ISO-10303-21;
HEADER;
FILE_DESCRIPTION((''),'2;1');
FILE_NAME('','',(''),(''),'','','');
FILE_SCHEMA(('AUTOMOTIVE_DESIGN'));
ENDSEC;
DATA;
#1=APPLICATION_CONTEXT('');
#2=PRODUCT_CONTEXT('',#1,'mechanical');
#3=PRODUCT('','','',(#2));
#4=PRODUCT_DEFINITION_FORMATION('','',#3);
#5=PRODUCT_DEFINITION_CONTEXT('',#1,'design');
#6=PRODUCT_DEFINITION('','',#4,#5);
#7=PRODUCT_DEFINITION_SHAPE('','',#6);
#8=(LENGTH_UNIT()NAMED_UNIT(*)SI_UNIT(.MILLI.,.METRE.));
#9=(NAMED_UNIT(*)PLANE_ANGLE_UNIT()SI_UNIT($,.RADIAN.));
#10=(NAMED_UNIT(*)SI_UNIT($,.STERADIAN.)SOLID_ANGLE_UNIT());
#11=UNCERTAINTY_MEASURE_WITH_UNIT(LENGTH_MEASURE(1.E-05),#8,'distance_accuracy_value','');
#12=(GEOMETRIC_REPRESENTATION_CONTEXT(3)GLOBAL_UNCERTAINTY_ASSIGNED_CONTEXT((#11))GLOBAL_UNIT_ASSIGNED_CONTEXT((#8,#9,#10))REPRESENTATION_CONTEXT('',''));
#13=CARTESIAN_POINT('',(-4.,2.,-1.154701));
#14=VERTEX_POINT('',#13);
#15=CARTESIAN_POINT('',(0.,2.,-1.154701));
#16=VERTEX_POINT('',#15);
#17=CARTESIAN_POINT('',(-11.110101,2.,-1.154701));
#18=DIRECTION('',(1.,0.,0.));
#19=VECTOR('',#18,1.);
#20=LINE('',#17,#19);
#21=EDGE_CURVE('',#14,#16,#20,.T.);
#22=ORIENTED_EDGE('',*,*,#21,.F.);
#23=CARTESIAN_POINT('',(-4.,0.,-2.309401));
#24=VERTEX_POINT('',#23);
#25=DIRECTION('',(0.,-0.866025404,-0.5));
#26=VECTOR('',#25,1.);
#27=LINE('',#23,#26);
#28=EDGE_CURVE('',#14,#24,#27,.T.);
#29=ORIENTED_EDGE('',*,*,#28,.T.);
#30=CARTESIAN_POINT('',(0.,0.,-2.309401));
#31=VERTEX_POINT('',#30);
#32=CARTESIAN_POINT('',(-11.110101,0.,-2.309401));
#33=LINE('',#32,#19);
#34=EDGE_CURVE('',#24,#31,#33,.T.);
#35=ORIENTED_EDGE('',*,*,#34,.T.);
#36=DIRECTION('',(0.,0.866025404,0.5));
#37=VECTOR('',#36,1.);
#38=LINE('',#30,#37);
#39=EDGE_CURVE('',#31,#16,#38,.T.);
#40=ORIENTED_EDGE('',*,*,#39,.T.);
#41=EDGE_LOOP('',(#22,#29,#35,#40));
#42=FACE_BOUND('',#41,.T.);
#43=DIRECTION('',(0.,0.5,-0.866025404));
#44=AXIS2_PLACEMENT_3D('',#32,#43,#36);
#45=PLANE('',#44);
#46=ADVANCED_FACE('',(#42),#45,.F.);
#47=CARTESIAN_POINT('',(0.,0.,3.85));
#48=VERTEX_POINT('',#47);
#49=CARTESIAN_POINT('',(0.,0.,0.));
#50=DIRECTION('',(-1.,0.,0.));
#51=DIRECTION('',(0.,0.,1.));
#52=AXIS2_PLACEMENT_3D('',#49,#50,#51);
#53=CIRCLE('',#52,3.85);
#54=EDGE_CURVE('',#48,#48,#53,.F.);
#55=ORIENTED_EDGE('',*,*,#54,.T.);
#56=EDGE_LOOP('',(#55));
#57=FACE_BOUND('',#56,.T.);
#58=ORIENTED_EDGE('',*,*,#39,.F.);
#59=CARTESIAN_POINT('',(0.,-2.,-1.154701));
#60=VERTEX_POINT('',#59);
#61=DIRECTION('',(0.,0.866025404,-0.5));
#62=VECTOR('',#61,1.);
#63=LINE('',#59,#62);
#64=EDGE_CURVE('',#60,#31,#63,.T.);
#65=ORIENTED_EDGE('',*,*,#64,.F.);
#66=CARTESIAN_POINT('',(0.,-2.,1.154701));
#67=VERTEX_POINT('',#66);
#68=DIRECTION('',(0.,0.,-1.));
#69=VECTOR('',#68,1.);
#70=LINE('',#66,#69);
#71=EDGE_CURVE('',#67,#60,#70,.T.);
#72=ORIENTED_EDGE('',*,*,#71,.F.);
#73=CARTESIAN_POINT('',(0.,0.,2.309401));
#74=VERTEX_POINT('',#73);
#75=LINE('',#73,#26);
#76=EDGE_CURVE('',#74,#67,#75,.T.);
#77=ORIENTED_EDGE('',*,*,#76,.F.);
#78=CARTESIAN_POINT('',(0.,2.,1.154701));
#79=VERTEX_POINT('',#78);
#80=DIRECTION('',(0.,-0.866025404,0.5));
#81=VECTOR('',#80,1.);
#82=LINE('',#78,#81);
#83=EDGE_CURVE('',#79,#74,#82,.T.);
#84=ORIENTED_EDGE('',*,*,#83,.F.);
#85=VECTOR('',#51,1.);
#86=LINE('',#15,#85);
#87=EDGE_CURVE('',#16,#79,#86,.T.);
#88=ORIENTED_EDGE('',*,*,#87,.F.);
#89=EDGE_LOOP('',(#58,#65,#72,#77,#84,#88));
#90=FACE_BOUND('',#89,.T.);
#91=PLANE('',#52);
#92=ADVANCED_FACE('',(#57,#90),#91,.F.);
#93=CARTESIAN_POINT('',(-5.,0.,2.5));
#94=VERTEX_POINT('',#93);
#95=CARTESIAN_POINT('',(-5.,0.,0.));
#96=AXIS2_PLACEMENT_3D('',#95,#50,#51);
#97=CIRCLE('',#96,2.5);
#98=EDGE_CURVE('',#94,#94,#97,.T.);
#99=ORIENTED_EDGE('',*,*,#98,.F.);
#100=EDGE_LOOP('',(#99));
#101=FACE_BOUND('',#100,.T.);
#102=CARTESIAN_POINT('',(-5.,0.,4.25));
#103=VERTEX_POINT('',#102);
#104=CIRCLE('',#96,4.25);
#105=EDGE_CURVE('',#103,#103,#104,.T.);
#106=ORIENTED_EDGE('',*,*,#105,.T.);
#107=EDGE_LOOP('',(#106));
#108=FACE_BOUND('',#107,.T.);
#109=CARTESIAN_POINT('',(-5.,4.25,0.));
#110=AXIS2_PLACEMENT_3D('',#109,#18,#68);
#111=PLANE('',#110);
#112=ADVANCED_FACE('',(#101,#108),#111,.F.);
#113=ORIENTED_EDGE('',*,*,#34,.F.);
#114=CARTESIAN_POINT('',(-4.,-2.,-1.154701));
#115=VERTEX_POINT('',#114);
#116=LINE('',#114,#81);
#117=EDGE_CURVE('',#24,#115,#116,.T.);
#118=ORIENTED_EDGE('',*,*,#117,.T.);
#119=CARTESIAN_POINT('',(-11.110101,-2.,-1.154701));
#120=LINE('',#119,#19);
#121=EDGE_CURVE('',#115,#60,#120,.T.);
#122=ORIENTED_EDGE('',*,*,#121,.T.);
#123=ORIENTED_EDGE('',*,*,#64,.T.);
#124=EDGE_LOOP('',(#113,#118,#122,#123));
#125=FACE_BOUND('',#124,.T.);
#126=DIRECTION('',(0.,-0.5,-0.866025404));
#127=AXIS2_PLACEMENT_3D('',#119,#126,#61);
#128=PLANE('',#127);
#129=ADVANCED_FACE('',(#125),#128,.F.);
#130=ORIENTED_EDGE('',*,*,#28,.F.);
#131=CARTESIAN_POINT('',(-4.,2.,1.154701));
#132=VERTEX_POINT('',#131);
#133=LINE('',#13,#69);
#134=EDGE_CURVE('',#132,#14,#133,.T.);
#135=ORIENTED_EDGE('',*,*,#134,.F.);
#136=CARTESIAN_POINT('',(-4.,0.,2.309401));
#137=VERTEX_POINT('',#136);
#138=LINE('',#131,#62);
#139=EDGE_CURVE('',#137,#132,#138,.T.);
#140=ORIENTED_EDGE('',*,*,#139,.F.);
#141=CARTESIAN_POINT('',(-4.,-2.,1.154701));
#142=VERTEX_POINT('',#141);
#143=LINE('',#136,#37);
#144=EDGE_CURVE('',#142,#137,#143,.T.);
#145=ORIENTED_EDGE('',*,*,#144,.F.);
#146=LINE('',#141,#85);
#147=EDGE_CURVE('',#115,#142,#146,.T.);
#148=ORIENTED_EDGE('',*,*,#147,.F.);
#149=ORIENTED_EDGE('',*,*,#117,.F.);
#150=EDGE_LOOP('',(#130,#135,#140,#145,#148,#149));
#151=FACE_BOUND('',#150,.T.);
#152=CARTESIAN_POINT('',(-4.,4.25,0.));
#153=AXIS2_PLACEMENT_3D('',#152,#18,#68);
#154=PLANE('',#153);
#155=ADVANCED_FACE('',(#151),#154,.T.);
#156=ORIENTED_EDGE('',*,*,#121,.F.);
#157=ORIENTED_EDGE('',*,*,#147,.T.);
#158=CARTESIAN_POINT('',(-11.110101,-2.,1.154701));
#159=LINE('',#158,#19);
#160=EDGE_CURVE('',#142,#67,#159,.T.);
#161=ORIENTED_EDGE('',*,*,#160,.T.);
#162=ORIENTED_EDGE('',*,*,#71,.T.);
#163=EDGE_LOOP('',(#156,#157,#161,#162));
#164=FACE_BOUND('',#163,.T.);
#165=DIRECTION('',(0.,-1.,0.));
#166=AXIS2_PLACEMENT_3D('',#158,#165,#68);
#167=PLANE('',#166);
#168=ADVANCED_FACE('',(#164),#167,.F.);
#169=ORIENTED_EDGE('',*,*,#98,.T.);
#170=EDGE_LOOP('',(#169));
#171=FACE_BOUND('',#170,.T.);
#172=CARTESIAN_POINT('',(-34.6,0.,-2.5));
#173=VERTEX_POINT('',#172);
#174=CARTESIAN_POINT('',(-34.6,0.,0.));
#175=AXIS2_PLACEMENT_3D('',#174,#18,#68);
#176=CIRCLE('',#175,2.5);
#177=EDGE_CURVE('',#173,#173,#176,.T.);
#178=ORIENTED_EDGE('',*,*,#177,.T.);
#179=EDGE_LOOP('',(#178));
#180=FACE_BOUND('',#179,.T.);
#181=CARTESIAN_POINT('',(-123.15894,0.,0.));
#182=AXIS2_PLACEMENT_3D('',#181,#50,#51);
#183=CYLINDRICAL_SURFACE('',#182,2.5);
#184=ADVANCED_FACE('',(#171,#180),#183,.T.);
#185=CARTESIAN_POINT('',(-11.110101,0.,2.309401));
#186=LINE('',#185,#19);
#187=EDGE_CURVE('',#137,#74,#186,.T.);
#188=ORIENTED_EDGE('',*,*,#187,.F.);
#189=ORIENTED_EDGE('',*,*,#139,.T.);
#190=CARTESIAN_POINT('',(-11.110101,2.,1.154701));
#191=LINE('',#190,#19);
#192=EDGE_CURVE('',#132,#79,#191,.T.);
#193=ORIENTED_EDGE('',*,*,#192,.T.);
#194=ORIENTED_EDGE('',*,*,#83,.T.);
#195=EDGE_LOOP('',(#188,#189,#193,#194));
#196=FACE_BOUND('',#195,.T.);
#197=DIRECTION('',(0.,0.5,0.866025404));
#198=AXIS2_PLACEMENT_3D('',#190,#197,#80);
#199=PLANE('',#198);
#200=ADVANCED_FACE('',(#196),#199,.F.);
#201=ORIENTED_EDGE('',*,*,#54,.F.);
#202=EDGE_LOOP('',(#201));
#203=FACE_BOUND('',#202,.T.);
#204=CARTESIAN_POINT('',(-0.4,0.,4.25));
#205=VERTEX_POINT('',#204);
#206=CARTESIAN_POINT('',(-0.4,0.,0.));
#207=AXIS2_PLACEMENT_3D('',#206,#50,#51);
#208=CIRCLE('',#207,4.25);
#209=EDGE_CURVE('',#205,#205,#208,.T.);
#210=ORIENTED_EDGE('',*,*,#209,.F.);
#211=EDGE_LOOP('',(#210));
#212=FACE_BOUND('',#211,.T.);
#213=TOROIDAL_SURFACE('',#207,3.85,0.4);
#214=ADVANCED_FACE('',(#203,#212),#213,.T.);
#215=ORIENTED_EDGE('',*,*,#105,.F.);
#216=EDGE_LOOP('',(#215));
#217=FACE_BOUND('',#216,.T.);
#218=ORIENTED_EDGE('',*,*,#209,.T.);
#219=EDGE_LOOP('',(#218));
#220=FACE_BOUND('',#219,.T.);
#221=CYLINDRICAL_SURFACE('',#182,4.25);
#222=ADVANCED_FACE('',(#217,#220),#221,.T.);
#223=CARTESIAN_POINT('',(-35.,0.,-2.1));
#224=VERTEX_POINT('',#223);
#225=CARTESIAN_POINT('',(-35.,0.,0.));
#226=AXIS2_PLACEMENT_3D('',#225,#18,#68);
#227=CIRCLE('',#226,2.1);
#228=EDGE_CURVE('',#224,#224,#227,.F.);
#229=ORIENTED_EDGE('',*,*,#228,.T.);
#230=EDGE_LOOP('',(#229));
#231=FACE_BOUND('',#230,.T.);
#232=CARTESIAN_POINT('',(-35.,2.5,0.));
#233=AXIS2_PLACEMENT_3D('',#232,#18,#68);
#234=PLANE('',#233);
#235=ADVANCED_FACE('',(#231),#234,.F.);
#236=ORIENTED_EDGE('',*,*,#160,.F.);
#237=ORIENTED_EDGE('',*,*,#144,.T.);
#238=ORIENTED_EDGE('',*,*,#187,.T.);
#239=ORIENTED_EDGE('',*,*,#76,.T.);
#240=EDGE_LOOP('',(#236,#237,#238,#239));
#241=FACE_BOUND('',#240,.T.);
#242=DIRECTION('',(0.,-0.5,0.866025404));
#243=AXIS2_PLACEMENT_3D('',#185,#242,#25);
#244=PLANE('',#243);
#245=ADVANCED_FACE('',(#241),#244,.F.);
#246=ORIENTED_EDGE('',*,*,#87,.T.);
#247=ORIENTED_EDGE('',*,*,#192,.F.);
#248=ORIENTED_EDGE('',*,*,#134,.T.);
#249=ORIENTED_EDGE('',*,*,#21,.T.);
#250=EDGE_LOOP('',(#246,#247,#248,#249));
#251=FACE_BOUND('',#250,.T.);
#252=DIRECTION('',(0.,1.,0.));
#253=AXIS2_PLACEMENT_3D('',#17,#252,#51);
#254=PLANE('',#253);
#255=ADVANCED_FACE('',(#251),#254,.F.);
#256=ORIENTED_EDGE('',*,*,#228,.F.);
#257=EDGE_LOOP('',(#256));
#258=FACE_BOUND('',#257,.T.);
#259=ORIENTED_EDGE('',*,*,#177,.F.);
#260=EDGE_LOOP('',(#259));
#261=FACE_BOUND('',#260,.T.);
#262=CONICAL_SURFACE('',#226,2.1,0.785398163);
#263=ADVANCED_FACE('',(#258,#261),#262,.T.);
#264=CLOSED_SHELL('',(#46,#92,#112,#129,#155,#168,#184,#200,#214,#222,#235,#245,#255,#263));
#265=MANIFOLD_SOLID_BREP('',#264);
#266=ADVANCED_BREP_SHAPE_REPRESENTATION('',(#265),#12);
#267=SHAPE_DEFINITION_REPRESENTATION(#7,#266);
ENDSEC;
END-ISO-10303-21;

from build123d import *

# Parameters (mm, degrees)
SFAZOWANIE1_SIZE           = 0.4
ZAOKR_GLENIE1_R            = 0.4
WYTNIJ_WYCI_GNI_CIE1_DEPTH = 4


with BuildPart() as part:
    # Szkic1 → Obrót1 (revolve)
    with BuildSketch(Plane.XY):
        Polygon((0, 0), (0, 4.25), (-5, 4.25), (-5, 2.5), (-35, 2.5), (-35, 0), align=None)
    revolve(axis=Axis((-123.158940217, 0, 0), (1, 0, 0)))

    # Sfazowanie1
    sfazowanie1_edges = [part.edges().sort_by_distance(p)[0] for p in [
        (-35, -2.5, 0),
    ]]
    chamfer(sfazowanie1_edges, length=SFAZOWANIE1_SIZE)

    # Zaokrąglenie1
    zaokr_glenie1_edges = [part.edges().sort_by_distance(p)[0] for p in [
        (0, -4.25, 0),
    ]]
    fillet(zaokr_glenie1_edges, radius=ZAOKR_GLENIE1_R)

    # Szkic2 → Wytnij-wyciągnięcie1 (cut)
    with BuildSketch(Plane(origin=(0, 0, 0), x_dir=(0, 0, -1), z_dir=(1, 0, 0))):
        Polygon((2.309401077, 0), (1.154700538, 2), (-1.154700538, 2), (-2.309401077, 0), (-1.154700538, -2), (1.154700538, -2), align=None)
    extrude(amount=-WYTNIJ_WYCI_GNI_CIE1_DEPTH, mode=Mode.SUBTRACT)


solid = part.part
